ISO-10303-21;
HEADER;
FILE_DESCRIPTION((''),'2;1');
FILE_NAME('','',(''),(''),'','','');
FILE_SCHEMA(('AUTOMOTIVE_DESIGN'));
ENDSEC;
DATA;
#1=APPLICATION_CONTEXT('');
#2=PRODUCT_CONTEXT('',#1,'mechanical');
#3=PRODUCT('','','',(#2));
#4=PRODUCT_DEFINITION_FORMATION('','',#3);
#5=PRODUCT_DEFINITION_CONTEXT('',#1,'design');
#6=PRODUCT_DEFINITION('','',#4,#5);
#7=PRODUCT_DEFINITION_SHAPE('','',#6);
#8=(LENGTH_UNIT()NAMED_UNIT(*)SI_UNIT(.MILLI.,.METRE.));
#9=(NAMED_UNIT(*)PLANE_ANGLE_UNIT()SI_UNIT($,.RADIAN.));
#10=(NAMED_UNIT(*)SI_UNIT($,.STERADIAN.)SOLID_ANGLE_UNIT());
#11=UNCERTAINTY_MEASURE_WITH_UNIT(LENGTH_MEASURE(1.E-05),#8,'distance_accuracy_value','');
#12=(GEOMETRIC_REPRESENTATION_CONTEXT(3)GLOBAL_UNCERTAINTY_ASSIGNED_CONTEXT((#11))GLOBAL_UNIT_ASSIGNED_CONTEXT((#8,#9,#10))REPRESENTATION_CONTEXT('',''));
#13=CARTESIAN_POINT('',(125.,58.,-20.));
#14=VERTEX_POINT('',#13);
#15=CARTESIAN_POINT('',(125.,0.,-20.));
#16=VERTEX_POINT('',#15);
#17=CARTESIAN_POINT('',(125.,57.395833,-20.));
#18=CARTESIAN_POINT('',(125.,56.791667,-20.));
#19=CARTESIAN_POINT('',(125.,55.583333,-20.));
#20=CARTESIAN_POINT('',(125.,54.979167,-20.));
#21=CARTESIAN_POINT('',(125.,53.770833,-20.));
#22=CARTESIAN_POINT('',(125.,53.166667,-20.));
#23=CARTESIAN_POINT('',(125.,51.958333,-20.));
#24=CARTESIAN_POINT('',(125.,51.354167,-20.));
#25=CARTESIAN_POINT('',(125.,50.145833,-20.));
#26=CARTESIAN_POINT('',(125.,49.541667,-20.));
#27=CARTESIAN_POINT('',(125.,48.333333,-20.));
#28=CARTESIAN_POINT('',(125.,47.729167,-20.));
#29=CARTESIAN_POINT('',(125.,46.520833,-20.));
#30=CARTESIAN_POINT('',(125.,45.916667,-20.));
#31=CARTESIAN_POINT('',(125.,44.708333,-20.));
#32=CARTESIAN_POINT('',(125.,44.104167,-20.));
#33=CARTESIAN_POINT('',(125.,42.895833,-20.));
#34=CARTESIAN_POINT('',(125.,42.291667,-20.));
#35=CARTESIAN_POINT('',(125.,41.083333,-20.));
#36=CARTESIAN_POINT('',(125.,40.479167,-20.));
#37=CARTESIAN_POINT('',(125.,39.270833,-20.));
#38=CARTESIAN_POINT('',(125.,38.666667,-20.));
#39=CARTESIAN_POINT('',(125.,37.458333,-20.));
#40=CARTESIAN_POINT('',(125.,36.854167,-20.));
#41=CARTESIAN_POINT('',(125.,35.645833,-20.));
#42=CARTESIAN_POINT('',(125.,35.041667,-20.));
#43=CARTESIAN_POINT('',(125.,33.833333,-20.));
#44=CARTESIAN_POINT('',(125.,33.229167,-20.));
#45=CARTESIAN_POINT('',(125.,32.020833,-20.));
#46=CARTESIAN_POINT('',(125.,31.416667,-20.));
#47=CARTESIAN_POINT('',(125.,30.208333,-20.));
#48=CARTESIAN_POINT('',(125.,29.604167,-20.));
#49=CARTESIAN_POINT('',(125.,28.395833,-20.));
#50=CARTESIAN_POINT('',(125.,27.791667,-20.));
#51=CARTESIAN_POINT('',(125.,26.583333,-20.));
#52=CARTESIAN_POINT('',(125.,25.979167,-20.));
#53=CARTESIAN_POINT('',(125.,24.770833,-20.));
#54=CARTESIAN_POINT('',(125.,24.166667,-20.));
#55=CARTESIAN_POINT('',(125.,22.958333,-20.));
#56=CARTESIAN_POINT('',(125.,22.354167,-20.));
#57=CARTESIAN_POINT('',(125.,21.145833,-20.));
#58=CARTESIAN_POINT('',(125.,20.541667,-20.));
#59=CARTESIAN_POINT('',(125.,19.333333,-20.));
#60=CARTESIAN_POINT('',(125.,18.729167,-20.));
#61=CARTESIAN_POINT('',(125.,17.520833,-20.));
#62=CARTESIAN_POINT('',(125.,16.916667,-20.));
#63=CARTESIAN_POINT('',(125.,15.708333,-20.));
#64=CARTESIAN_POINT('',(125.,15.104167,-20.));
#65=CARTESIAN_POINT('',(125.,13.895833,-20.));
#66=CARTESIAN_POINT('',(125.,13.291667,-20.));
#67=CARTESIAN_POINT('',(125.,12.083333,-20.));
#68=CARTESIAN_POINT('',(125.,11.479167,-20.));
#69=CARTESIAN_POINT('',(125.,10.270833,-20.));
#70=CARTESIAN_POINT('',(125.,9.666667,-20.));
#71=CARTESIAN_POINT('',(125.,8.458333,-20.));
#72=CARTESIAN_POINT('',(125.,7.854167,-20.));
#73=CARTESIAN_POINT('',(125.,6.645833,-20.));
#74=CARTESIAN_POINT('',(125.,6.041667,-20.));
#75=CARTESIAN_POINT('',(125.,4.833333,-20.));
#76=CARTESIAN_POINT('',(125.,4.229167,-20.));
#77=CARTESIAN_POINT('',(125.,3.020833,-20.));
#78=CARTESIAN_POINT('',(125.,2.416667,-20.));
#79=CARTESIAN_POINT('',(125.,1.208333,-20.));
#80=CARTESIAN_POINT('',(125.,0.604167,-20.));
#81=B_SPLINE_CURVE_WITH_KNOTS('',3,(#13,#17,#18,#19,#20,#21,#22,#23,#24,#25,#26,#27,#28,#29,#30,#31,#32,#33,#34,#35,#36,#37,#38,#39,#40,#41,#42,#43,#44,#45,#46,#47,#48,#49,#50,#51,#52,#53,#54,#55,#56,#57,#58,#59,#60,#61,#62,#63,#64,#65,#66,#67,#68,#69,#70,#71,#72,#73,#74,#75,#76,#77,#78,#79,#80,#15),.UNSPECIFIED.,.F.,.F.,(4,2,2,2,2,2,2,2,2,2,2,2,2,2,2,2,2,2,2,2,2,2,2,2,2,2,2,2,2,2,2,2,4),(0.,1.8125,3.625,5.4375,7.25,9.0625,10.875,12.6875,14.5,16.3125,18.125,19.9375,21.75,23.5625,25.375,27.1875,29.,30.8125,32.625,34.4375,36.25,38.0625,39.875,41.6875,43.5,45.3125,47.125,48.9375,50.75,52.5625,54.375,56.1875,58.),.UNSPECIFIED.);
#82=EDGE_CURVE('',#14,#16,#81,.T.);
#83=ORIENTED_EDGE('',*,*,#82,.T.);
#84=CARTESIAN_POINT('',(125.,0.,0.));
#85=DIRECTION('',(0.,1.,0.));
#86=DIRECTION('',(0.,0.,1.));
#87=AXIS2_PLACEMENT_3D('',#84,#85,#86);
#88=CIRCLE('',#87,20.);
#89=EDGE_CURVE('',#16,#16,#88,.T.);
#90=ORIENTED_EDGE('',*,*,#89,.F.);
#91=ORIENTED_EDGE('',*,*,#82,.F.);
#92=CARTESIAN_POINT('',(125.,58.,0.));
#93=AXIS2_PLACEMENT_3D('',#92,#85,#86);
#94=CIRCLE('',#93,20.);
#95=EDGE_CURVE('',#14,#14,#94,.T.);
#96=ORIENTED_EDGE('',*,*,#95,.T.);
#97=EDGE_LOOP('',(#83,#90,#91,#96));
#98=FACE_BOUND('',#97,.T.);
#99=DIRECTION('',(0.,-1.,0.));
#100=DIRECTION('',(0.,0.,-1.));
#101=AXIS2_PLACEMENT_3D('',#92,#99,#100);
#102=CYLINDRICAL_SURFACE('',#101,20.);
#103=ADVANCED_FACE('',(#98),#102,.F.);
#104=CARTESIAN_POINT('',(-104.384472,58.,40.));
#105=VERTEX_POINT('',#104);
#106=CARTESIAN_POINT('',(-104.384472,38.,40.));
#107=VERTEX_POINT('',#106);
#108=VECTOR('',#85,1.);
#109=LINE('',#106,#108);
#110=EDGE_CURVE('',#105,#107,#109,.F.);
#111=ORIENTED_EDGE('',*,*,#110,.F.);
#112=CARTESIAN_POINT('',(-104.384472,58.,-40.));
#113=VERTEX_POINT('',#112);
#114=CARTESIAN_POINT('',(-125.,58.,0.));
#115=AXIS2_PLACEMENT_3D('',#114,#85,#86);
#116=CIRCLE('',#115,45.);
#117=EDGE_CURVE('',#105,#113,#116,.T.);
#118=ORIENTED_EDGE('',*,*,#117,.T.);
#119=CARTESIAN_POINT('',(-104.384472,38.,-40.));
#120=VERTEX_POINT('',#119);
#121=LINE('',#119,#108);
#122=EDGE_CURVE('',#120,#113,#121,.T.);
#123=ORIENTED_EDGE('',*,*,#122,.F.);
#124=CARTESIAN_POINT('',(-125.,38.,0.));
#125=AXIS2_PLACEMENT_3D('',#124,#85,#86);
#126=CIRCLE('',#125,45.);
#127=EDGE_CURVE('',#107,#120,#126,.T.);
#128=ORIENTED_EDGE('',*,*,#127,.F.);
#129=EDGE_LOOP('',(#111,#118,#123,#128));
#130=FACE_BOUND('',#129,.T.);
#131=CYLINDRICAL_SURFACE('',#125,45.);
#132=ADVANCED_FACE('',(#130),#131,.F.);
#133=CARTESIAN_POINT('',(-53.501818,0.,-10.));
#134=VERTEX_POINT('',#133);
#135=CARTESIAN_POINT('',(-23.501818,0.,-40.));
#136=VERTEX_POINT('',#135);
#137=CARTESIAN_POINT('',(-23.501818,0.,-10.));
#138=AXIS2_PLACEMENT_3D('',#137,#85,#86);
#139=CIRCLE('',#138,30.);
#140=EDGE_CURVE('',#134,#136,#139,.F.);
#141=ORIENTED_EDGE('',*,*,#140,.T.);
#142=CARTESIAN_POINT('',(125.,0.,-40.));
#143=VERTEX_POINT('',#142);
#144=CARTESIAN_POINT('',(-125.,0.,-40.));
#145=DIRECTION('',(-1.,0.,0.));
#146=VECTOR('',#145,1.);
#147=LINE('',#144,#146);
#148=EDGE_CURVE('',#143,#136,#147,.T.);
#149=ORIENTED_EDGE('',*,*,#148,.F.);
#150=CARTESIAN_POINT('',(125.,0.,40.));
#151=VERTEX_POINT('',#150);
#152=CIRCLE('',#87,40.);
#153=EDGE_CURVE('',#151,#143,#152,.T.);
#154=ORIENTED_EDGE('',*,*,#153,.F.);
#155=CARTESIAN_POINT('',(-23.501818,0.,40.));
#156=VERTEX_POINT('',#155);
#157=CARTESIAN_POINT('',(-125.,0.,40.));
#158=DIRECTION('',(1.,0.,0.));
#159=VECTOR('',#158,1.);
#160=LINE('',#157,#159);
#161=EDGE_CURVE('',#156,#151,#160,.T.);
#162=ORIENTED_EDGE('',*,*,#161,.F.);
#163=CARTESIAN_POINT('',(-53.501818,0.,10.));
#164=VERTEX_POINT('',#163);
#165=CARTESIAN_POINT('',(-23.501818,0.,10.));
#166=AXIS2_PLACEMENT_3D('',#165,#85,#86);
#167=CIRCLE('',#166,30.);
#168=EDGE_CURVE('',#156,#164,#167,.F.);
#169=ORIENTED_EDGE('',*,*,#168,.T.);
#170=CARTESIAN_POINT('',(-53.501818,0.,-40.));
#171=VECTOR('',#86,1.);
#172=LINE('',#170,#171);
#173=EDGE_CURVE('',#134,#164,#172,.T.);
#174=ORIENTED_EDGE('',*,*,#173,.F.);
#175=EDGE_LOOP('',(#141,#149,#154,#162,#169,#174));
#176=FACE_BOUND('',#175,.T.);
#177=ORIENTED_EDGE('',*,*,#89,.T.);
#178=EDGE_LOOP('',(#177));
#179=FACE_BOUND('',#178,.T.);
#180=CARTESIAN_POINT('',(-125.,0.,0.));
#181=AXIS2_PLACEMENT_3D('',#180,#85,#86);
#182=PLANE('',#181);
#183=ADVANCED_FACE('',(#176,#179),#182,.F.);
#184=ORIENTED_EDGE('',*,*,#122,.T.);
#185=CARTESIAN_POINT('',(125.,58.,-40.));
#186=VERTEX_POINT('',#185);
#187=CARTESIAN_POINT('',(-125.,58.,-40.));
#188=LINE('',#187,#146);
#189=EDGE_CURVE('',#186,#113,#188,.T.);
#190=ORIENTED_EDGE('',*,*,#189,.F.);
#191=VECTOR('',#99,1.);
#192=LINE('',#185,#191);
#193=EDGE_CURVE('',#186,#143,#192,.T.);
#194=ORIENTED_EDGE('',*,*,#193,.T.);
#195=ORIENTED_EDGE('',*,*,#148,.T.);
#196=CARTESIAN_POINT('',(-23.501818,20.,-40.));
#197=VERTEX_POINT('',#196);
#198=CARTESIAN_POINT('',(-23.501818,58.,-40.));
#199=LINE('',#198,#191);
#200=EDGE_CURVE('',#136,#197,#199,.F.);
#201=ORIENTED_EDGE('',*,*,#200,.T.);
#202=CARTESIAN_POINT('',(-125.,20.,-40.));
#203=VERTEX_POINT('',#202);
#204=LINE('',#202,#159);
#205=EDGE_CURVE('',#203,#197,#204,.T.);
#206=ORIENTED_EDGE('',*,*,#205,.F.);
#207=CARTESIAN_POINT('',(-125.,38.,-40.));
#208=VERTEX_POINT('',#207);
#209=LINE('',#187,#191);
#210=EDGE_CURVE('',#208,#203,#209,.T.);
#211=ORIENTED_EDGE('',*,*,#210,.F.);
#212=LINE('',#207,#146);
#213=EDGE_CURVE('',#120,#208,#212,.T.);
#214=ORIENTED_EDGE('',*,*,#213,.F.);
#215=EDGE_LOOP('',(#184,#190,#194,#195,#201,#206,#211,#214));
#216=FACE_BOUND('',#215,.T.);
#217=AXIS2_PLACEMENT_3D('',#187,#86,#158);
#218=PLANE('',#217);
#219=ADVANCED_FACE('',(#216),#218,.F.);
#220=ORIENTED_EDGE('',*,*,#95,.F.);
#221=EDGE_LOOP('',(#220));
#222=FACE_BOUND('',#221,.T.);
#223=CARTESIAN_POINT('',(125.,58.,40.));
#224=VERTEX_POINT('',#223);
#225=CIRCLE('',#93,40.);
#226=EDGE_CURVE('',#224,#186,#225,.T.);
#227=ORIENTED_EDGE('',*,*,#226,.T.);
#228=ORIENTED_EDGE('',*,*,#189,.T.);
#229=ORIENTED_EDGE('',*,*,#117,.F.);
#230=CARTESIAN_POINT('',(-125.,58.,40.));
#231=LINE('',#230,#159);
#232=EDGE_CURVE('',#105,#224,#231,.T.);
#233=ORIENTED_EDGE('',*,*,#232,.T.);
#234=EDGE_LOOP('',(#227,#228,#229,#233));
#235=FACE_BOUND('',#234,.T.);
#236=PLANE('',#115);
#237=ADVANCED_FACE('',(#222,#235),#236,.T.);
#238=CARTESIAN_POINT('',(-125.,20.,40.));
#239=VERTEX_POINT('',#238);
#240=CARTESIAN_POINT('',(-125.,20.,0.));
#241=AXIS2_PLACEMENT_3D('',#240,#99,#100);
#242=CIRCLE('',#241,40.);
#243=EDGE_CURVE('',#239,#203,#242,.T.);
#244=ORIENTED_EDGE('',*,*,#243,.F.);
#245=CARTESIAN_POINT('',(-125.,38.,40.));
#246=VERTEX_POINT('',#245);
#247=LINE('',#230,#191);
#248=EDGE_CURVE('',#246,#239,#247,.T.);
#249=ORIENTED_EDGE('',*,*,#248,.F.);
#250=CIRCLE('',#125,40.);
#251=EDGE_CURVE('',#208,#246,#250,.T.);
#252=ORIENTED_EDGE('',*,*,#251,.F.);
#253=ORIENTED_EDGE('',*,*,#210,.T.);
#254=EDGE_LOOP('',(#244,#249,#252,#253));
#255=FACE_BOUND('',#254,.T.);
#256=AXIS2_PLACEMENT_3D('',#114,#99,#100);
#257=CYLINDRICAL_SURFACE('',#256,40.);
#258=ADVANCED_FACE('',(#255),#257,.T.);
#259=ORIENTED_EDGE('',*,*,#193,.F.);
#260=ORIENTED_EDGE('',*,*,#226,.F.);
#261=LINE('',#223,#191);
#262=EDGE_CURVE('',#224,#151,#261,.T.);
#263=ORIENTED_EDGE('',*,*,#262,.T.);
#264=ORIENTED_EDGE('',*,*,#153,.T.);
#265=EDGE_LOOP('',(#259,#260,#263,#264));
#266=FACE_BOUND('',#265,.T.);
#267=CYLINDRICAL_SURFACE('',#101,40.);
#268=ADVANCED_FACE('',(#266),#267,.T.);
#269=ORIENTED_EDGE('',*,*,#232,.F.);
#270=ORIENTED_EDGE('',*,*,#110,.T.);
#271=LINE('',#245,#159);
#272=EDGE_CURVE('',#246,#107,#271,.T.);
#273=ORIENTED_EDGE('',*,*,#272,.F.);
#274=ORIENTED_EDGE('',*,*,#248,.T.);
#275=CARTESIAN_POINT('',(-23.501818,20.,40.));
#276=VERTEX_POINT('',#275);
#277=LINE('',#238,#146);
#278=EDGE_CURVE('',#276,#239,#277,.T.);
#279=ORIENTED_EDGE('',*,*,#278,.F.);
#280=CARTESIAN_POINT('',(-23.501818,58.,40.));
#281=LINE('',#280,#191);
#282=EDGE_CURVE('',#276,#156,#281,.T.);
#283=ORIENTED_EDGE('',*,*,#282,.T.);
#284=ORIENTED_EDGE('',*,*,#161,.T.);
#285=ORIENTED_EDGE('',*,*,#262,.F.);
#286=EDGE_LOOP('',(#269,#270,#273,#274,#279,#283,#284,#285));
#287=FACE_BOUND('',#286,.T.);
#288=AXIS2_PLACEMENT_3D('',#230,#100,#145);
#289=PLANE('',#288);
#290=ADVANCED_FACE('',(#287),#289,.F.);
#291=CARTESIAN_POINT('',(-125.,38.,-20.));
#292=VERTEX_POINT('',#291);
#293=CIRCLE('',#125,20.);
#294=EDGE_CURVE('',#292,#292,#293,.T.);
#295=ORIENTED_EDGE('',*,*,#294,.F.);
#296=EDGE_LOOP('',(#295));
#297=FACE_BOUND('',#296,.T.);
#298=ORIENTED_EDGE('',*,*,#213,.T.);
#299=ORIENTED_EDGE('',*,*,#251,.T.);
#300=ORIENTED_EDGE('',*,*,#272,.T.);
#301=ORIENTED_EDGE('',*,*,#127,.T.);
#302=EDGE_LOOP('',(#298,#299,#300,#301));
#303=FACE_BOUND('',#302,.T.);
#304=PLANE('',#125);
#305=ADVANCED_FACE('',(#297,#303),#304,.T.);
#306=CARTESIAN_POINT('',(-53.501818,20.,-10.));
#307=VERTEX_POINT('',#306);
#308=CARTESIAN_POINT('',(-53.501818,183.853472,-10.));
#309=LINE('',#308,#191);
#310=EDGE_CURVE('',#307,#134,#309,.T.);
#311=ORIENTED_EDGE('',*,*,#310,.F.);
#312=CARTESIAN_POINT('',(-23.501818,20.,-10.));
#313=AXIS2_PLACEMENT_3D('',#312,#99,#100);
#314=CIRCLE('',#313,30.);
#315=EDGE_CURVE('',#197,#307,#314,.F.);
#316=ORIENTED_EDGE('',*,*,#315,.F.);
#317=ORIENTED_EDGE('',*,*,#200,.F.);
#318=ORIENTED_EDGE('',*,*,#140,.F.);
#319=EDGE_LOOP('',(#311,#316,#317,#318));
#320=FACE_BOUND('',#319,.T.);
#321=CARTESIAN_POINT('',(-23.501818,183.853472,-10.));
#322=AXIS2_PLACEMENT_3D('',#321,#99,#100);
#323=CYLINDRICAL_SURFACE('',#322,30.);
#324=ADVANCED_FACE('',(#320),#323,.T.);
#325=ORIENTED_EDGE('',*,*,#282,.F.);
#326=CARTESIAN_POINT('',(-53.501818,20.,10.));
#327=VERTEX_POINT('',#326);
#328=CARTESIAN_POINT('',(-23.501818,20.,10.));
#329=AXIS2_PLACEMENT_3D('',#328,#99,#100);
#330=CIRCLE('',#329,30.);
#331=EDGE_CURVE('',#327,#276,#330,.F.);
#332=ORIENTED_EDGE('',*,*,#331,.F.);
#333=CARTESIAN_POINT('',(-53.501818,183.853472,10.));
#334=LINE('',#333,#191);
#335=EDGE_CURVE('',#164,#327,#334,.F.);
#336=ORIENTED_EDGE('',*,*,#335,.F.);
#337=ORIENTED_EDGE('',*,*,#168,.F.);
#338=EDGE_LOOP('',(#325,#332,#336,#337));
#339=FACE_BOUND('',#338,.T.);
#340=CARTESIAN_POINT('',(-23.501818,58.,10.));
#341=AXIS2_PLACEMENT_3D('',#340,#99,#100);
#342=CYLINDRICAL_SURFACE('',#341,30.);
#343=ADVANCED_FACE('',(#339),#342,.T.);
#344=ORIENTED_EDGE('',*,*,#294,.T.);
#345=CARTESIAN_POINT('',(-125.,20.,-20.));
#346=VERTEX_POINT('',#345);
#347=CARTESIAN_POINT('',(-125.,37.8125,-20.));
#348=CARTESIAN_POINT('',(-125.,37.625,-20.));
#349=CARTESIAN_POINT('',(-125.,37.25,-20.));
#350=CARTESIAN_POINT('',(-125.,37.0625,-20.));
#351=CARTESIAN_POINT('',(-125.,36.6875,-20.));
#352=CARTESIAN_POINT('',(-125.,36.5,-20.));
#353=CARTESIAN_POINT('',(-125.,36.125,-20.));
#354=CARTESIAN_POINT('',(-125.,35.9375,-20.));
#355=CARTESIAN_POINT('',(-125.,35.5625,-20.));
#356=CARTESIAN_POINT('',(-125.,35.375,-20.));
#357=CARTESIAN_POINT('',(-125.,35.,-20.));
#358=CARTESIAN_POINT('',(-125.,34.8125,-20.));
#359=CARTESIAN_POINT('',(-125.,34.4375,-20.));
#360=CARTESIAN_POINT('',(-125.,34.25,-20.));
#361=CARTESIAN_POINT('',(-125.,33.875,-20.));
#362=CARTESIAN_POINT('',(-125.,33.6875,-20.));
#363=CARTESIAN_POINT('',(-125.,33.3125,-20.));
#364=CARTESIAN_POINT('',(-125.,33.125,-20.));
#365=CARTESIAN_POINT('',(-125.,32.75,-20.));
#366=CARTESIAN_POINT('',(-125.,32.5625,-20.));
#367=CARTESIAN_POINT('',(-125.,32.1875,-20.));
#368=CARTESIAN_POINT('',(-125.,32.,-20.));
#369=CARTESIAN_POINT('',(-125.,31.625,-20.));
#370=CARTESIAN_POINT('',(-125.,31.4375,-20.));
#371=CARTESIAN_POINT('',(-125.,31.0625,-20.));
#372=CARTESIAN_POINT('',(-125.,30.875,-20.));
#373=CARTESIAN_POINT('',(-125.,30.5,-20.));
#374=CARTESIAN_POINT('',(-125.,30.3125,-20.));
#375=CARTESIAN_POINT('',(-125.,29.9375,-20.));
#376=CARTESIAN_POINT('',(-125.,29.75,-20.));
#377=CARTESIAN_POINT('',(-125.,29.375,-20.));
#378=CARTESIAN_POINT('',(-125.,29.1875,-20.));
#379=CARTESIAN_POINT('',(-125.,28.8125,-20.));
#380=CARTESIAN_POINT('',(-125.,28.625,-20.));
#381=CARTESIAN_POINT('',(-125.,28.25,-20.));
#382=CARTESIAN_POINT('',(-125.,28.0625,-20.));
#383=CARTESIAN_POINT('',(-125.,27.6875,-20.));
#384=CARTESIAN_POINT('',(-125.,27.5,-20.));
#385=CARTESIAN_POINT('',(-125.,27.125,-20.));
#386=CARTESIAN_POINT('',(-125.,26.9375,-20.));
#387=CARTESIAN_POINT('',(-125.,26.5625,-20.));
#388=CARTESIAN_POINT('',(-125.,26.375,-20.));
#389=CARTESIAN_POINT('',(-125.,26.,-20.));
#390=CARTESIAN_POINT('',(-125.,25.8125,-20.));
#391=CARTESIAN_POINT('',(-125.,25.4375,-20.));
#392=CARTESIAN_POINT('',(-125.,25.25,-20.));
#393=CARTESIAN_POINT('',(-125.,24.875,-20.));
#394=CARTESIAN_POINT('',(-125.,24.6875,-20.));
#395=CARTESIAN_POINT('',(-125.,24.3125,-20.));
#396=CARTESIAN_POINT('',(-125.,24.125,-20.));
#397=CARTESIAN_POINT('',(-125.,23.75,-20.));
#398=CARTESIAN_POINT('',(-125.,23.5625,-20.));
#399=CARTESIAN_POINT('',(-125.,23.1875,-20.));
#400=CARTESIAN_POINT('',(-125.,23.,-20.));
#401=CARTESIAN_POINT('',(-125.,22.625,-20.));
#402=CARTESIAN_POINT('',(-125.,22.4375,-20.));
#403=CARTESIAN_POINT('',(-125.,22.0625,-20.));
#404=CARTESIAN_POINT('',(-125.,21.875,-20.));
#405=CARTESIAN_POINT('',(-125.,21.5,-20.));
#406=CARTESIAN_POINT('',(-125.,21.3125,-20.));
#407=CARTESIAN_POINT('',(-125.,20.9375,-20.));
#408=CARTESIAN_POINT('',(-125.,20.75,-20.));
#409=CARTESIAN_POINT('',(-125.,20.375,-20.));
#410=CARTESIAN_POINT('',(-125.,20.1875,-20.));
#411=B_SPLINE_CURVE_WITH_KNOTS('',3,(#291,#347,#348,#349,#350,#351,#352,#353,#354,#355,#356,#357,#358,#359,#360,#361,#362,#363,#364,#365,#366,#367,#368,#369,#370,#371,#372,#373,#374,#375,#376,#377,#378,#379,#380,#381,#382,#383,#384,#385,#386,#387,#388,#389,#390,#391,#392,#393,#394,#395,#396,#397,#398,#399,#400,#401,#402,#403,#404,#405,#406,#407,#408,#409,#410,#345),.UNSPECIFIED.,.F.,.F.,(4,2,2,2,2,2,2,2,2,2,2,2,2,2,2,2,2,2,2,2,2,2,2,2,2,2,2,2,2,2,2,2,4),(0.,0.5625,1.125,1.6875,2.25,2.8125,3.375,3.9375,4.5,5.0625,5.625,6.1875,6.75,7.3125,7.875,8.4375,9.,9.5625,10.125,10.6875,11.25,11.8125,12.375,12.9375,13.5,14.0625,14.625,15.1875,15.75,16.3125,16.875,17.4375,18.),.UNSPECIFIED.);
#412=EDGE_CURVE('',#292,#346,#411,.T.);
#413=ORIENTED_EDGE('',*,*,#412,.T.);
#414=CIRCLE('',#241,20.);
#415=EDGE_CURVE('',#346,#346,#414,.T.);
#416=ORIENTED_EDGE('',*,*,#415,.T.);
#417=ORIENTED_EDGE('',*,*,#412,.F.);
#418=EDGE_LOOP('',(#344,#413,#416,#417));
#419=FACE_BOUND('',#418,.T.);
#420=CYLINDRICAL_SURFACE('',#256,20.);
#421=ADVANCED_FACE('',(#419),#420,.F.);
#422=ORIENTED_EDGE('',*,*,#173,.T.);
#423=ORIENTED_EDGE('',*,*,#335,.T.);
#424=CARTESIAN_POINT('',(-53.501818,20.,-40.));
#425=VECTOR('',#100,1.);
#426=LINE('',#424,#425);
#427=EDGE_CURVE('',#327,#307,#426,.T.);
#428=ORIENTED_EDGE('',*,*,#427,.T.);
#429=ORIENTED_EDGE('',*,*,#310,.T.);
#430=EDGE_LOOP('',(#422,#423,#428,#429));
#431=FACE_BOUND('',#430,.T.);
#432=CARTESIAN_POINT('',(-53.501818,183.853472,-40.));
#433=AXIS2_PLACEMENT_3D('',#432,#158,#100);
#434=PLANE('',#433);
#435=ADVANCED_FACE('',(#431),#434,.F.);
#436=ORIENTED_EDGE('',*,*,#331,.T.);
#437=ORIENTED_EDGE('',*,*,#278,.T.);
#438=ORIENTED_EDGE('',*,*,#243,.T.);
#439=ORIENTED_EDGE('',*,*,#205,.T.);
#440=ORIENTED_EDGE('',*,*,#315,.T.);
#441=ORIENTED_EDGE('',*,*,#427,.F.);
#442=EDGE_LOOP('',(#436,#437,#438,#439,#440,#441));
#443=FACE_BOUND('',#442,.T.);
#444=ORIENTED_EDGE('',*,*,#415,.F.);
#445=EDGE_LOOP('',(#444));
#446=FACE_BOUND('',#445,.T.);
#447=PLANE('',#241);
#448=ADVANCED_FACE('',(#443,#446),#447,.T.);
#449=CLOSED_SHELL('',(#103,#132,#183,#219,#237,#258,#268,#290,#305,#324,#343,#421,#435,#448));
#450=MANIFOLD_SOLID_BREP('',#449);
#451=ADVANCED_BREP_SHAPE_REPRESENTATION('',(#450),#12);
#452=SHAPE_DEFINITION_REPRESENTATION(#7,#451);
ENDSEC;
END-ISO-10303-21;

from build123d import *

# Parameters (mm, degrees)
SKETCH1_R           = 20
BOSS_EXTRUDE1_DEPTH = 58
SKETCH3_R           = 45
CUT_EXTRUDE2_DEPTH  = 20
CUT_EXTRUDE3_START  = -20
SKETCH4_R           = 45
CUT_EXTRUDE3_DEPTH  = 20
SKETCH6_W           = 142.996364582
SKETCH6_H           = 80
CUT_EXTRUDE6_DEPTH  = 20
FILLET1_R           = 30


with BuildPart() as part:
    # Sketch1 → Boss-Extrude1 (new body)
    with BuildSketch(Plane(origin=(0, 0, 0), x_dir=(1, 0, 0), z_dir=(0, 1, 0))):
        with BuildLine():
            Line((-125, 40), (125.000000012, 40))
            ThreePointArc((125.000000012, 40), (165, -6e-09), (125, -40))
            Line((125, -40), (-125, -40))
            ThreePointArc((-125, -40), (-165, 0), (-125, 40))
        make_face()
        with Locations(Location((-125, 0, 0), (0, 0, 90))):
            Circle(SKETCH1_R, mode=Mode.SUBTRACT)
        with Locations(Location((125, 0, 0), (0, 0, 90))):
            Circle(SKETCH1_R, mode=Mode.SUBTRACT)
    extrude(amount=BOSS_EXTRUDE1_DEPTH)

    # Sketch3 → Cut-Extrude2 (cut)
    with BuildSketch(Plane(origin=(0, 58, 0), x_dir=(1, 0, 0), z_dir=(0, 1, 0))):
        with Locations((-125, 0)):
            Circle(SKETCH3_R)
    extrude(amount=-CUT_EXTRUDE2_DEPTH, mode=Mode.SUBTRACT)

    # Sketch4 → Cut-Extrude3 (cut)
    with BuildSketch(Plane.XZ.offset(CUT_EXTRUDE3_START)):
        with Locations((-125, 0)):
            Circle(SKETCH4_R)
    extrude(amount=CUT_EXTRUDE3_DEPTH, mode=Mode.SUBTRACT)

    # Sketch6 → Cut-Extrude6 (cut)
    with BuildSketch(Plane.XZ):
        with Locations((-125, 0)):
            Rectangle(SKETCH6_W, SKETCH6_H)
    extrude(amount=-CUT_EXTRUDE6_DEPTH, mode=Mode.SUBTRACT)

    # Fillet1
    fillet1_edges = [part.edges().sort_by_distance(p)[0] for p in [
        (-53.501817709, 10, -40),
        (-53.501817709, 10, 40),
    ]]
    fillet(fillet1_edges, radius=FILLET1_R)


solid = part.part
